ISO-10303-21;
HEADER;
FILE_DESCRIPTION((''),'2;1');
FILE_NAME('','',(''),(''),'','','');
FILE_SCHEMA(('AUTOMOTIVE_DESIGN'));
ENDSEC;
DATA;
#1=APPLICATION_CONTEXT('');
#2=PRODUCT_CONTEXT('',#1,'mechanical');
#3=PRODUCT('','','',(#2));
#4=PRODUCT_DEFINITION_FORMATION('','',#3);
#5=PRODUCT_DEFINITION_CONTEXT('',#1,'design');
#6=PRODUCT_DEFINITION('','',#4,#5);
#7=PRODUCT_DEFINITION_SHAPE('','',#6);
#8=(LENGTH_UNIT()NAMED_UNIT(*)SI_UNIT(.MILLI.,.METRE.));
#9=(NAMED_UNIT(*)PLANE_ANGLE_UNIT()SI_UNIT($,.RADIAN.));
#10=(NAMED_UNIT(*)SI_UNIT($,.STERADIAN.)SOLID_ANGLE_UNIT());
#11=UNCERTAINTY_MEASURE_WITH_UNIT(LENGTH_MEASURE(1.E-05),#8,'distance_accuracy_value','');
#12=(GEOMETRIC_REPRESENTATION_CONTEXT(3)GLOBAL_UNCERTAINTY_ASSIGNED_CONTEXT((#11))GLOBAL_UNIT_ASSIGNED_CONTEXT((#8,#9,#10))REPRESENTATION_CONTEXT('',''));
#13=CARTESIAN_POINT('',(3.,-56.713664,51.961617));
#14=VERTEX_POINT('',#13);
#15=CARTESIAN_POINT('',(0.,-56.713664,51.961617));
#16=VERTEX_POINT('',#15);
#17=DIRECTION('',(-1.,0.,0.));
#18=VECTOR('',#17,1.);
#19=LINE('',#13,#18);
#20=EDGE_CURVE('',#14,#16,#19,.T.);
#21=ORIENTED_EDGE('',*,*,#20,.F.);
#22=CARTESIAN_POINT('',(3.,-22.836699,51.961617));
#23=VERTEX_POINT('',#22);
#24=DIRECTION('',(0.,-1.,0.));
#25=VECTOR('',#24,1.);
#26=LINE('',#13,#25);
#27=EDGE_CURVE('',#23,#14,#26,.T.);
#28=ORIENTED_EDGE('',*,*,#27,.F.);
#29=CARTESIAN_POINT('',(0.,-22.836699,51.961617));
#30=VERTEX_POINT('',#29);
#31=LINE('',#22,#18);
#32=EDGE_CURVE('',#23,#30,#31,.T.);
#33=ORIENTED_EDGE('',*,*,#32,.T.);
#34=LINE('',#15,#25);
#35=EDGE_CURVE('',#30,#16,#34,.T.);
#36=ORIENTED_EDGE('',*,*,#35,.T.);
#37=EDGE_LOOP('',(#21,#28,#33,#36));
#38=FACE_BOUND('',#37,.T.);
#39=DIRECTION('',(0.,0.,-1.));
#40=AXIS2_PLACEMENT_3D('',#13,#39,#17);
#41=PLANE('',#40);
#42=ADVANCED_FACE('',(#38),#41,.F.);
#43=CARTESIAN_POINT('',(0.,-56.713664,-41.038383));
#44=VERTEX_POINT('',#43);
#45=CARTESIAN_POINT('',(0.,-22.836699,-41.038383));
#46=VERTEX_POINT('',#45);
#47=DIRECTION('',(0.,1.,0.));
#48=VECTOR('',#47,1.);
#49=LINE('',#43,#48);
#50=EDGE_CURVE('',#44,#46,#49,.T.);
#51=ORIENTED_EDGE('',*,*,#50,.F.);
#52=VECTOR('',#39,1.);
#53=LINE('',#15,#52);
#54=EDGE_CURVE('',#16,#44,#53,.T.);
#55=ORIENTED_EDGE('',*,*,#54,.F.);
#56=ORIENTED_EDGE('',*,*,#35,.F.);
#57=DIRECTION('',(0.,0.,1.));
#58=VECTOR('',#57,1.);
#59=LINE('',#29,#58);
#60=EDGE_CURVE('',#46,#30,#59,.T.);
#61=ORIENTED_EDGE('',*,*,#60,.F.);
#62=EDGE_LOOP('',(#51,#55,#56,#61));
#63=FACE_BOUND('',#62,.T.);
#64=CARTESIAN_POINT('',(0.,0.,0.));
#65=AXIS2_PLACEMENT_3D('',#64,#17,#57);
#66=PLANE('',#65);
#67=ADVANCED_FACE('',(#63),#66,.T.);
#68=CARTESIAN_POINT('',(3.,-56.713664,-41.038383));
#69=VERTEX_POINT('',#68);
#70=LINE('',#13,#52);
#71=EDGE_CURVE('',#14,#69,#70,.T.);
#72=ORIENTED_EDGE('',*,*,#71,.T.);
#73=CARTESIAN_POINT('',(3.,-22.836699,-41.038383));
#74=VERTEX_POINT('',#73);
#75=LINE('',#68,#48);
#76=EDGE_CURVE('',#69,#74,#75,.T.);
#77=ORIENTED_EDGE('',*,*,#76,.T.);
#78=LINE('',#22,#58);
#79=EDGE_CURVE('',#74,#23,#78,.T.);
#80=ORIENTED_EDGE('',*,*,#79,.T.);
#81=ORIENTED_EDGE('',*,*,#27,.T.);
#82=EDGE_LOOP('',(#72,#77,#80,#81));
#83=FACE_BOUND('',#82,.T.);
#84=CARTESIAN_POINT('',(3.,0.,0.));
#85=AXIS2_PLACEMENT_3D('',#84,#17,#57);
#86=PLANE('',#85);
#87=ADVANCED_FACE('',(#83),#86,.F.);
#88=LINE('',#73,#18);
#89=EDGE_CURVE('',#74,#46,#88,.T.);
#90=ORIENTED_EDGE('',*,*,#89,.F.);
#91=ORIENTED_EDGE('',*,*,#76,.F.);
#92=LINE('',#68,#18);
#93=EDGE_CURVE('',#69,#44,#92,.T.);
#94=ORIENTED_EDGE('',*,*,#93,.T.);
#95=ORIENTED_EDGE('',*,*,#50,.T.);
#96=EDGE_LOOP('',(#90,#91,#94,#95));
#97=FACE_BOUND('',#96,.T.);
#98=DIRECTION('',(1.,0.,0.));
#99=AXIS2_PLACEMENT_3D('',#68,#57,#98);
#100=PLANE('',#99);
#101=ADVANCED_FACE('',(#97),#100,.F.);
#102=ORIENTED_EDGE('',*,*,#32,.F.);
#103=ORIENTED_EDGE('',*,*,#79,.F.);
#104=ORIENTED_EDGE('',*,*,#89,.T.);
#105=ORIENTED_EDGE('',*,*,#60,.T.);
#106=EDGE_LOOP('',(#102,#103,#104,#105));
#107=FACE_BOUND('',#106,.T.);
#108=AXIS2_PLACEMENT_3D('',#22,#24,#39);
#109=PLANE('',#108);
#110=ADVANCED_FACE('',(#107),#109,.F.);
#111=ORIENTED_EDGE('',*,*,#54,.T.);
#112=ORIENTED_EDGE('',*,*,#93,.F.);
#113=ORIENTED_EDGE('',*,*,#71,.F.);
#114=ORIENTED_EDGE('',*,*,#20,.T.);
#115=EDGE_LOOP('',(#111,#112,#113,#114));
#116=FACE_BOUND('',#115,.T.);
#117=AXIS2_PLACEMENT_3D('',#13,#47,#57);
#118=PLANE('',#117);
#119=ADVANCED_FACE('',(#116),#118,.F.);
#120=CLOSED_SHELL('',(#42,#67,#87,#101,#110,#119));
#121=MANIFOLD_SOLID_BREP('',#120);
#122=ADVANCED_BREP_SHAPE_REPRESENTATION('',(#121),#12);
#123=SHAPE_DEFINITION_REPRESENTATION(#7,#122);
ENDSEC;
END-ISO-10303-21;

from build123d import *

# Parameters (mm, degrees)
SKETCH1_W           = 93
SKETCH1_H           = 33.876964868
BOSS_EXTRUDE1_DEPTH = 3


with BuildPart() as part:
    # Sketch1 → Boss-Extrude1 (new body)
    with BuildSketch(Plane(origin=(0, 0, 0), x_dir=(0, 0, -1), z_dir=(1, 0, 0))):
        with Locations((-5.461616981, -39.775181141)):
            Rectangle(SKETCH1_W, SKETCH1_H)
    extrude(amount=BOSS_EXTRUDE1_DEPTH)


solid = part.part
